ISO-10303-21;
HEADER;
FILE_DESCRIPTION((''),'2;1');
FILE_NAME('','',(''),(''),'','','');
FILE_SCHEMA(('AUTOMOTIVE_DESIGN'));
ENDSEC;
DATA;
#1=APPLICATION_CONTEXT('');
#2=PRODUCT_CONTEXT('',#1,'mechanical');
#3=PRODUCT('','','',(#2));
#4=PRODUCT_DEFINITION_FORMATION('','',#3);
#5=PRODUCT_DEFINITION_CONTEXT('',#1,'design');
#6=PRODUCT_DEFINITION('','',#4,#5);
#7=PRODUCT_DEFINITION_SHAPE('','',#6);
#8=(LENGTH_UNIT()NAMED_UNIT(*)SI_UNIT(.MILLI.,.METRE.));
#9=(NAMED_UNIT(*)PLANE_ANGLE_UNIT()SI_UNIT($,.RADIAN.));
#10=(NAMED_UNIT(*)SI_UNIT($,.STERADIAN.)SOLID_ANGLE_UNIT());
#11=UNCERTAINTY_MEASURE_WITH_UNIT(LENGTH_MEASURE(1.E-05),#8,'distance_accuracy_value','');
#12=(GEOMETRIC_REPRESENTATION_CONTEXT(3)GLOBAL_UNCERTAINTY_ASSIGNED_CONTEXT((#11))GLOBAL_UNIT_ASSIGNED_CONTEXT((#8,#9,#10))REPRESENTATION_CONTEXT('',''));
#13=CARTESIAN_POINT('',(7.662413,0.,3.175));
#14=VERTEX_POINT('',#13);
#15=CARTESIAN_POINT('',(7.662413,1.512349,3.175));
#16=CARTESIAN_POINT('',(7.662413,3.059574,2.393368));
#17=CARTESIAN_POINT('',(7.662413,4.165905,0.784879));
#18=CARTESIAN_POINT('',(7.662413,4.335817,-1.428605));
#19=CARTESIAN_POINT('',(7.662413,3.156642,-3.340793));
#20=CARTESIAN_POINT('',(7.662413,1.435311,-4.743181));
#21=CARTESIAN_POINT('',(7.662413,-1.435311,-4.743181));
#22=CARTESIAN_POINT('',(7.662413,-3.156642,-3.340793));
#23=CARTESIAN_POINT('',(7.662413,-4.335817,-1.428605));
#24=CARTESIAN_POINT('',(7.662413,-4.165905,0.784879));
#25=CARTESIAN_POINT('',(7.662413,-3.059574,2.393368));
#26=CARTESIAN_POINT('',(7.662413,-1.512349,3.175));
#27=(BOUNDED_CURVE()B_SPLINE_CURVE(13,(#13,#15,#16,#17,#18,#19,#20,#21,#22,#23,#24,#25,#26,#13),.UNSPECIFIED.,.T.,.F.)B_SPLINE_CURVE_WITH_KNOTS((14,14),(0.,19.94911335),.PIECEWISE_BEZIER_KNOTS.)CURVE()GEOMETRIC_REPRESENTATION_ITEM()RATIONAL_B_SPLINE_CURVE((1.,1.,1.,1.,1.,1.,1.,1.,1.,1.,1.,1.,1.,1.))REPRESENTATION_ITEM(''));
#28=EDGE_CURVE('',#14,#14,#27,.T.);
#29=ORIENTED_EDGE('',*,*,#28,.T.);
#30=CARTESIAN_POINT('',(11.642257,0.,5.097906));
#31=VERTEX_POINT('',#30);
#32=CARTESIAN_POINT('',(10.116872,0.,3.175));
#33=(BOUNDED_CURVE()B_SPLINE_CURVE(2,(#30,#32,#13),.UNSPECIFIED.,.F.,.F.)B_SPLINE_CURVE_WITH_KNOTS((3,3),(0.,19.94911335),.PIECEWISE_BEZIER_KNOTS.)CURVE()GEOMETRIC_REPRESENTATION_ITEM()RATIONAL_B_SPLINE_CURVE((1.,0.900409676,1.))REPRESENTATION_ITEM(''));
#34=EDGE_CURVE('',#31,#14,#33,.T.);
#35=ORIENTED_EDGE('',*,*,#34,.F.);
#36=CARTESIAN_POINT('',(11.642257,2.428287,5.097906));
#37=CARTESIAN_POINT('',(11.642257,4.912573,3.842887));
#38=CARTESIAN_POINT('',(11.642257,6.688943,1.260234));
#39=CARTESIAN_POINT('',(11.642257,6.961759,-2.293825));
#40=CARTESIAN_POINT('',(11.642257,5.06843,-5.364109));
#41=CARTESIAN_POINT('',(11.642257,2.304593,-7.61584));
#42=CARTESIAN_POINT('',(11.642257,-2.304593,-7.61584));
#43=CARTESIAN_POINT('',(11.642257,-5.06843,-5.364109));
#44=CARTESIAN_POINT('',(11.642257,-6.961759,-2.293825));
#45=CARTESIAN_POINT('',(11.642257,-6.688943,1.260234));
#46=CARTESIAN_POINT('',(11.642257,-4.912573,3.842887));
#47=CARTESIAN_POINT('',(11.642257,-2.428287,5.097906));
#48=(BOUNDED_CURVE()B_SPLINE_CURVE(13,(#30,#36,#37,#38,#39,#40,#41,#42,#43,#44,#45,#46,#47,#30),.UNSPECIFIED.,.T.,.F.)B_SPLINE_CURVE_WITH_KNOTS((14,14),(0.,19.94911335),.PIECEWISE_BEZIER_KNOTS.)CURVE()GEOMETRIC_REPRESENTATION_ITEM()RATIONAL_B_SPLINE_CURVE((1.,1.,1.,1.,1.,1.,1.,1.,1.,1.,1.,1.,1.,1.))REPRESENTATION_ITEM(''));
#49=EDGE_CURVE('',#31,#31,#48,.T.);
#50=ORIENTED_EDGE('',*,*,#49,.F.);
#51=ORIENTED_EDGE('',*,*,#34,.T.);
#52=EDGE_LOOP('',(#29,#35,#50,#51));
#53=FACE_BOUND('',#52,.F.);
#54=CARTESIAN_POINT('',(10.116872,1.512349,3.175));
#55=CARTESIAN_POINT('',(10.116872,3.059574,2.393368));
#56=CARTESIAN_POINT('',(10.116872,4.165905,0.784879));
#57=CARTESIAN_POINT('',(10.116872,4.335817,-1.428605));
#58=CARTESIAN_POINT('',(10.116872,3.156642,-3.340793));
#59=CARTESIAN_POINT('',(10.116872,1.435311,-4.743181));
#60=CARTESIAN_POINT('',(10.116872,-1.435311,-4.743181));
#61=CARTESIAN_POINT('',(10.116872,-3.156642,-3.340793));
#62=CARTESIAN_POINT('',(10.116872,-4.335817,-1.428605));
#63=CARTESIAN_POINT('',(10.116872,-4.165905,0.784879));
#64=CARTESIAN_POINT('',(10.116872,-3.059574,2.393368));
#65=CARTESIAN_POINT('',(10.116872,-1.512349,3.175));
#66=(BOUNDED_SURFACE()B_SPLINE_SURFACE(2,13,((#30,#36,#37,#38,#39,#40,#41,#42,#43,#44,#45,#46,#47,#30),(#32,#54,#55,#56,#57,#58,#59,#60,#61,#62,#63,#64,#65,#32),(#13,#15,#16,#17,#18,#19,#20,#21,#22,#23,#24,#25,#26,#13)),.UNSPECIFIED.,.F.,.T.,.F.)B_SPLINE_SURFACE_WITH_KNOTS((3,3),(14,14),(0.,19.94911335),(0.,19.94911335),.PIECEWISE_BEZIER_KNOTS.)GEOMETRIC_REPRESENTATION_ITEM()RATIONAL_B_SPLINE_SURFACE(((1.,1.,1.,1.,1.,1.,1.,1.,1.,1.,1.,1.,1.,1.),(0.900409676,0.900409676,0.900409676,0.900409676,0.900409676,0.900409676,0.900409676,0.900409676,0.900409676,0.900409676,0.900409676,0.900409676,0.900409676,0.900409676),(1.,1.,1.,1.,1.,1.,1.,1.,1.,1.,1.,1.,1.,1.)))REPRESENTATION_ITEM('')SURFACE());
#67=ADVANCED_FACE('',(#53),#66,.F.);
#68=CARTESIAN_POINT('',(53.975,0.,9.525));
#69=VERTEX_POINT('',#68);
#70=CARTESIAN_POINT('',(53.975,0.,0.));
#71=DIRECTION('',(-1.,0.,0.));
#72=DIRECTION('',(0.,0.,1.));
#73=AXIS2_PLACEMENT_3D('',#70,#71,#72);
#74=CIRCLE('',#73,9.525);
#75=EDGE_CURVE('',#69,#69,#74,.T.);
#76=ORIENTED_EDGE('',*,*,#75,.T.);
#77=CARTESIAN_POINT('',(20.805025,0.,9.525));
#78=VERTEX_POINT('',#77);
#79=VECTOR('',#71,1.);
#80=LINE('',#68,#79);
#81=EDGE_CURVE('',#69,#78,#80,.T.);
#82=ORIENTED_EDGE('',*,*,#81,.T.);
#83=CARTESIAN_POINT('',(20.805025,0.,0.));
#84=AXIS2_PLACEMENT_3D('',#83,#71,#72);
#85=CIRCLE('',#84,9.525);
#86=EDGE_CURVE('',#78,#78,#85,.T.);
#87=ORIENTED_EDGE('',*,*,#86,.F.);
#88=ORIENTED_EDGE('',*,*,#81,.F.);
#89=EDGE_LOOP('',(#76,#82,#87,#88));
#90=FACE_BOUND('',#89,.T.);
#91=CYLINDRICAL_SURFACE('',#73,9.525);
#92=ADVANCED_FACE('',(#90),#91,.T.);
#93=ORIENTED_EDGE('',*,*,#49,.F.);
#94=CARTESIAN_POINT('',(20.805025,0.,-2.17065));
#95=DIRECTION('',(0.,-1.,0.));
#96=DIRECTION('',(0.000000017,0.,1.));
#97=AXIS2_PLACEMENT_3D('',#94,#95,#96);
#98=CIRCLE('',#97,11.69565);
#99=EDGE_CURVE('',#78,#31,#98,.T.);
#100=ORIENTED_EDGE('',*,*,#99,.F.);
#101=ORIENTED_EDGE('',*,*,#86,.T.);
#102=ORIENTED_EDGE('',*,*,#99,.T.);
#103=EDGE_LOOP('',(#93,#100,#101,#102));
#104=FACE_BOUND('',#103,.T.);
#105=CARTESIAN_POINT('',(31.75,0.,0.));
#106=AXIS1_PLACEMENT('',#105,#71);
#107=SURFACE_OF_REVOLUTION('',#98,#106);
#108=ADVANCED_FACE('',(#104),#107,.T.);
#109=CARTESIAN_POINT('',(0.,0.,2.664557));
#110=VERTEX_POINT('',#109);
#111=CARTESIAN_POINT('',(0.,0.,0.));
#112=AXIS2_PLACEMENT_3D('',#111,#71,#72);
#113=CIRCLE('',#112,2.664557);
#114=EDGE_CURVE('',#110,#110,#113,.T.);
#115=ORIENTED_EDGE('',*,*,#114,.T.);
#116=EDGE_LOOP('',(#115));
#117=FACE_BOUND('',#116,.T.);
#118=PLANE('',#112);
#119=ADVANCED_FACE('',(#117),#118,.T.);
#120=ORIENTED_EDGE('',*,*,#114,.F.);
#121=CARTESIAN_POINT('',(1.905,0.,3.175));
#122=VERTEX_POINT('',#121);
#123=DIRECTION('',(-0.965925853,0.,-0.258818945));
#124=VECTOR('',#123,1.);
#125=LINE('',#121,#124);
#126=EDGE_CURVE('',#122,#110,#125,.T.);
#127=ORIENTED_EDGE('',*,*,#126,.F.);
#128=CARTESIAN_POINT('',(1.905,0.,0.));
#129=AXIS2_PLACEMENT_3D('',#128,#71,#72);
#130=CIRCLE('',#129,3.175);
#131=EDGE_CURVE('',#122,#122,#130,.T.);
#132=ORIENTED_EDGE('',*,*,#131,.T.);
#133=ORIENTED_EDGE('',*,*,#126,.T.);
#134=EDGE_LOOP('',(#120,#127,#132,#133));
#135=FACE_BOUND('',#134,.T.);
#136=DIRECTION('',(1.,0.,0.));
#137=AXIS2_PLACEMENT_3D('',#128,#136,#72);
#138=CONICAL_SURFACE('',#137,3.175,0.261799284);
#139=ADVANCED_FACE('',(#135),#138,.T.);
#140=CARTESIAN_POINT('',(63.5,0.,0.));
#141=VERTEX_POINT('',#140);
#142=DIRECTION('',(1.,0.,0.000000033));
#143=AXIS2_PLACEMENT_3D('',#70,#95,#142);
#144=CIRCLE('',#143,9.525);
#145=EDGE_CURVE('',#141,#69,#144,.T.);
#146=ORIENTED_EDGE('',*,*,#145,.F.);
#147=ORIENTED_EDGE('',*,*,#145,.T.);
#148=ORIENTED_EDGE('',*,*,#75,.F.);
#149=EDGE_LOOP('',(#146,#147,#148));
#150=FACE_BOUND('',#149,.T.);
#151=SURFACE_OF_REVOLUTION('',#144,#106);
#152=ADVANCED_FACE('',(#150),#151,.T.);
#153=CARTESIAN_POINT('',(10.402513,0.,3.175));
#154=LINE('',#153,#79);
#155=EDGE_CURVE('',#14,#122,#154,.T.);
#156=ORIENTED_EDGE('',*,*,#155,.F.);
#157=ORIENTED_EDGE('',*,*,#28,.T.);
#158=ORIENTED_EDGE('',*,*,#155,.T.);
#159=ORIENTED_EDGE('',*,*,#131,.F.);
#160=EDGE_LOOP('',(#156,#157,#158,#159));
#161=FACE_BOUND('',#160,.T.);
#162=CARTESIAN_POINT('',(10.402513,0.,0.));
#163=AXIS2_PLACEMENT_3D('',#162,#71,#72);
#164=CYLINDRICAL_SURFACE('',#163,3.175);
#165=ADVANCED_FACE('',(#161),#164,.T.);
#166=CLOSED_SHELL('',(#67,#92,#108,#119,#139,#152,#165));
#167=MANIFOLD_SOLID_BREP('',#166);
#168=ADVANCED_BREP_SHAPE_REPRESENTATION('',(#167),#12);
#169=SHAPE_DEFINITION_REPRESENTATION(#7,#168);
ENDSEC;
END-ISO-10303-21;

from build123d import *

# Parameters (mm, degrees)
F2_R     = 5.08
F3_SIZE2 = 0.510443
F3_SIZE  = 1.905


with BuildPart() as f1:
    # F0 (on Front) → F1 (revolve)
    with BuildSketch(Plane.XZ):
        with BuildLine():
            Line((0, 3.175), (0, 0))
            Line((0, 0), (63.5, 0))
            ThreePointArc((63.5, 0), (60.710192, 6.735192), (53.975, 9.525))
            Line((53.975, 9.525), (20.805025, 9.525))
            ThreePointArc((20.805025, 9.525), (14.711283, 7.812062), (10.402513, 3.175))
            Line((10.402513, 3.175), (0, 3.175))
        make_face()
    revolve(axis=Axis((31.75, 0, 0), (-1, 0, 0)))

    # F2
    f2_edges = [f1.edges().sort_by_distance(p)[0] for p in [
        (10.402513, 0, -3.175),
    ]]
    fillet(f2_edges, radius=F2_R)

    # F3
    f3_edges = [f1.edges().sort_by_distance(p)[0] for p in [
        (0, 0, -3.175),
    ]]
    chamfer(f3_edges, length=F3_SIZE, length2=F3_SIZE2)


solid = f1.part
